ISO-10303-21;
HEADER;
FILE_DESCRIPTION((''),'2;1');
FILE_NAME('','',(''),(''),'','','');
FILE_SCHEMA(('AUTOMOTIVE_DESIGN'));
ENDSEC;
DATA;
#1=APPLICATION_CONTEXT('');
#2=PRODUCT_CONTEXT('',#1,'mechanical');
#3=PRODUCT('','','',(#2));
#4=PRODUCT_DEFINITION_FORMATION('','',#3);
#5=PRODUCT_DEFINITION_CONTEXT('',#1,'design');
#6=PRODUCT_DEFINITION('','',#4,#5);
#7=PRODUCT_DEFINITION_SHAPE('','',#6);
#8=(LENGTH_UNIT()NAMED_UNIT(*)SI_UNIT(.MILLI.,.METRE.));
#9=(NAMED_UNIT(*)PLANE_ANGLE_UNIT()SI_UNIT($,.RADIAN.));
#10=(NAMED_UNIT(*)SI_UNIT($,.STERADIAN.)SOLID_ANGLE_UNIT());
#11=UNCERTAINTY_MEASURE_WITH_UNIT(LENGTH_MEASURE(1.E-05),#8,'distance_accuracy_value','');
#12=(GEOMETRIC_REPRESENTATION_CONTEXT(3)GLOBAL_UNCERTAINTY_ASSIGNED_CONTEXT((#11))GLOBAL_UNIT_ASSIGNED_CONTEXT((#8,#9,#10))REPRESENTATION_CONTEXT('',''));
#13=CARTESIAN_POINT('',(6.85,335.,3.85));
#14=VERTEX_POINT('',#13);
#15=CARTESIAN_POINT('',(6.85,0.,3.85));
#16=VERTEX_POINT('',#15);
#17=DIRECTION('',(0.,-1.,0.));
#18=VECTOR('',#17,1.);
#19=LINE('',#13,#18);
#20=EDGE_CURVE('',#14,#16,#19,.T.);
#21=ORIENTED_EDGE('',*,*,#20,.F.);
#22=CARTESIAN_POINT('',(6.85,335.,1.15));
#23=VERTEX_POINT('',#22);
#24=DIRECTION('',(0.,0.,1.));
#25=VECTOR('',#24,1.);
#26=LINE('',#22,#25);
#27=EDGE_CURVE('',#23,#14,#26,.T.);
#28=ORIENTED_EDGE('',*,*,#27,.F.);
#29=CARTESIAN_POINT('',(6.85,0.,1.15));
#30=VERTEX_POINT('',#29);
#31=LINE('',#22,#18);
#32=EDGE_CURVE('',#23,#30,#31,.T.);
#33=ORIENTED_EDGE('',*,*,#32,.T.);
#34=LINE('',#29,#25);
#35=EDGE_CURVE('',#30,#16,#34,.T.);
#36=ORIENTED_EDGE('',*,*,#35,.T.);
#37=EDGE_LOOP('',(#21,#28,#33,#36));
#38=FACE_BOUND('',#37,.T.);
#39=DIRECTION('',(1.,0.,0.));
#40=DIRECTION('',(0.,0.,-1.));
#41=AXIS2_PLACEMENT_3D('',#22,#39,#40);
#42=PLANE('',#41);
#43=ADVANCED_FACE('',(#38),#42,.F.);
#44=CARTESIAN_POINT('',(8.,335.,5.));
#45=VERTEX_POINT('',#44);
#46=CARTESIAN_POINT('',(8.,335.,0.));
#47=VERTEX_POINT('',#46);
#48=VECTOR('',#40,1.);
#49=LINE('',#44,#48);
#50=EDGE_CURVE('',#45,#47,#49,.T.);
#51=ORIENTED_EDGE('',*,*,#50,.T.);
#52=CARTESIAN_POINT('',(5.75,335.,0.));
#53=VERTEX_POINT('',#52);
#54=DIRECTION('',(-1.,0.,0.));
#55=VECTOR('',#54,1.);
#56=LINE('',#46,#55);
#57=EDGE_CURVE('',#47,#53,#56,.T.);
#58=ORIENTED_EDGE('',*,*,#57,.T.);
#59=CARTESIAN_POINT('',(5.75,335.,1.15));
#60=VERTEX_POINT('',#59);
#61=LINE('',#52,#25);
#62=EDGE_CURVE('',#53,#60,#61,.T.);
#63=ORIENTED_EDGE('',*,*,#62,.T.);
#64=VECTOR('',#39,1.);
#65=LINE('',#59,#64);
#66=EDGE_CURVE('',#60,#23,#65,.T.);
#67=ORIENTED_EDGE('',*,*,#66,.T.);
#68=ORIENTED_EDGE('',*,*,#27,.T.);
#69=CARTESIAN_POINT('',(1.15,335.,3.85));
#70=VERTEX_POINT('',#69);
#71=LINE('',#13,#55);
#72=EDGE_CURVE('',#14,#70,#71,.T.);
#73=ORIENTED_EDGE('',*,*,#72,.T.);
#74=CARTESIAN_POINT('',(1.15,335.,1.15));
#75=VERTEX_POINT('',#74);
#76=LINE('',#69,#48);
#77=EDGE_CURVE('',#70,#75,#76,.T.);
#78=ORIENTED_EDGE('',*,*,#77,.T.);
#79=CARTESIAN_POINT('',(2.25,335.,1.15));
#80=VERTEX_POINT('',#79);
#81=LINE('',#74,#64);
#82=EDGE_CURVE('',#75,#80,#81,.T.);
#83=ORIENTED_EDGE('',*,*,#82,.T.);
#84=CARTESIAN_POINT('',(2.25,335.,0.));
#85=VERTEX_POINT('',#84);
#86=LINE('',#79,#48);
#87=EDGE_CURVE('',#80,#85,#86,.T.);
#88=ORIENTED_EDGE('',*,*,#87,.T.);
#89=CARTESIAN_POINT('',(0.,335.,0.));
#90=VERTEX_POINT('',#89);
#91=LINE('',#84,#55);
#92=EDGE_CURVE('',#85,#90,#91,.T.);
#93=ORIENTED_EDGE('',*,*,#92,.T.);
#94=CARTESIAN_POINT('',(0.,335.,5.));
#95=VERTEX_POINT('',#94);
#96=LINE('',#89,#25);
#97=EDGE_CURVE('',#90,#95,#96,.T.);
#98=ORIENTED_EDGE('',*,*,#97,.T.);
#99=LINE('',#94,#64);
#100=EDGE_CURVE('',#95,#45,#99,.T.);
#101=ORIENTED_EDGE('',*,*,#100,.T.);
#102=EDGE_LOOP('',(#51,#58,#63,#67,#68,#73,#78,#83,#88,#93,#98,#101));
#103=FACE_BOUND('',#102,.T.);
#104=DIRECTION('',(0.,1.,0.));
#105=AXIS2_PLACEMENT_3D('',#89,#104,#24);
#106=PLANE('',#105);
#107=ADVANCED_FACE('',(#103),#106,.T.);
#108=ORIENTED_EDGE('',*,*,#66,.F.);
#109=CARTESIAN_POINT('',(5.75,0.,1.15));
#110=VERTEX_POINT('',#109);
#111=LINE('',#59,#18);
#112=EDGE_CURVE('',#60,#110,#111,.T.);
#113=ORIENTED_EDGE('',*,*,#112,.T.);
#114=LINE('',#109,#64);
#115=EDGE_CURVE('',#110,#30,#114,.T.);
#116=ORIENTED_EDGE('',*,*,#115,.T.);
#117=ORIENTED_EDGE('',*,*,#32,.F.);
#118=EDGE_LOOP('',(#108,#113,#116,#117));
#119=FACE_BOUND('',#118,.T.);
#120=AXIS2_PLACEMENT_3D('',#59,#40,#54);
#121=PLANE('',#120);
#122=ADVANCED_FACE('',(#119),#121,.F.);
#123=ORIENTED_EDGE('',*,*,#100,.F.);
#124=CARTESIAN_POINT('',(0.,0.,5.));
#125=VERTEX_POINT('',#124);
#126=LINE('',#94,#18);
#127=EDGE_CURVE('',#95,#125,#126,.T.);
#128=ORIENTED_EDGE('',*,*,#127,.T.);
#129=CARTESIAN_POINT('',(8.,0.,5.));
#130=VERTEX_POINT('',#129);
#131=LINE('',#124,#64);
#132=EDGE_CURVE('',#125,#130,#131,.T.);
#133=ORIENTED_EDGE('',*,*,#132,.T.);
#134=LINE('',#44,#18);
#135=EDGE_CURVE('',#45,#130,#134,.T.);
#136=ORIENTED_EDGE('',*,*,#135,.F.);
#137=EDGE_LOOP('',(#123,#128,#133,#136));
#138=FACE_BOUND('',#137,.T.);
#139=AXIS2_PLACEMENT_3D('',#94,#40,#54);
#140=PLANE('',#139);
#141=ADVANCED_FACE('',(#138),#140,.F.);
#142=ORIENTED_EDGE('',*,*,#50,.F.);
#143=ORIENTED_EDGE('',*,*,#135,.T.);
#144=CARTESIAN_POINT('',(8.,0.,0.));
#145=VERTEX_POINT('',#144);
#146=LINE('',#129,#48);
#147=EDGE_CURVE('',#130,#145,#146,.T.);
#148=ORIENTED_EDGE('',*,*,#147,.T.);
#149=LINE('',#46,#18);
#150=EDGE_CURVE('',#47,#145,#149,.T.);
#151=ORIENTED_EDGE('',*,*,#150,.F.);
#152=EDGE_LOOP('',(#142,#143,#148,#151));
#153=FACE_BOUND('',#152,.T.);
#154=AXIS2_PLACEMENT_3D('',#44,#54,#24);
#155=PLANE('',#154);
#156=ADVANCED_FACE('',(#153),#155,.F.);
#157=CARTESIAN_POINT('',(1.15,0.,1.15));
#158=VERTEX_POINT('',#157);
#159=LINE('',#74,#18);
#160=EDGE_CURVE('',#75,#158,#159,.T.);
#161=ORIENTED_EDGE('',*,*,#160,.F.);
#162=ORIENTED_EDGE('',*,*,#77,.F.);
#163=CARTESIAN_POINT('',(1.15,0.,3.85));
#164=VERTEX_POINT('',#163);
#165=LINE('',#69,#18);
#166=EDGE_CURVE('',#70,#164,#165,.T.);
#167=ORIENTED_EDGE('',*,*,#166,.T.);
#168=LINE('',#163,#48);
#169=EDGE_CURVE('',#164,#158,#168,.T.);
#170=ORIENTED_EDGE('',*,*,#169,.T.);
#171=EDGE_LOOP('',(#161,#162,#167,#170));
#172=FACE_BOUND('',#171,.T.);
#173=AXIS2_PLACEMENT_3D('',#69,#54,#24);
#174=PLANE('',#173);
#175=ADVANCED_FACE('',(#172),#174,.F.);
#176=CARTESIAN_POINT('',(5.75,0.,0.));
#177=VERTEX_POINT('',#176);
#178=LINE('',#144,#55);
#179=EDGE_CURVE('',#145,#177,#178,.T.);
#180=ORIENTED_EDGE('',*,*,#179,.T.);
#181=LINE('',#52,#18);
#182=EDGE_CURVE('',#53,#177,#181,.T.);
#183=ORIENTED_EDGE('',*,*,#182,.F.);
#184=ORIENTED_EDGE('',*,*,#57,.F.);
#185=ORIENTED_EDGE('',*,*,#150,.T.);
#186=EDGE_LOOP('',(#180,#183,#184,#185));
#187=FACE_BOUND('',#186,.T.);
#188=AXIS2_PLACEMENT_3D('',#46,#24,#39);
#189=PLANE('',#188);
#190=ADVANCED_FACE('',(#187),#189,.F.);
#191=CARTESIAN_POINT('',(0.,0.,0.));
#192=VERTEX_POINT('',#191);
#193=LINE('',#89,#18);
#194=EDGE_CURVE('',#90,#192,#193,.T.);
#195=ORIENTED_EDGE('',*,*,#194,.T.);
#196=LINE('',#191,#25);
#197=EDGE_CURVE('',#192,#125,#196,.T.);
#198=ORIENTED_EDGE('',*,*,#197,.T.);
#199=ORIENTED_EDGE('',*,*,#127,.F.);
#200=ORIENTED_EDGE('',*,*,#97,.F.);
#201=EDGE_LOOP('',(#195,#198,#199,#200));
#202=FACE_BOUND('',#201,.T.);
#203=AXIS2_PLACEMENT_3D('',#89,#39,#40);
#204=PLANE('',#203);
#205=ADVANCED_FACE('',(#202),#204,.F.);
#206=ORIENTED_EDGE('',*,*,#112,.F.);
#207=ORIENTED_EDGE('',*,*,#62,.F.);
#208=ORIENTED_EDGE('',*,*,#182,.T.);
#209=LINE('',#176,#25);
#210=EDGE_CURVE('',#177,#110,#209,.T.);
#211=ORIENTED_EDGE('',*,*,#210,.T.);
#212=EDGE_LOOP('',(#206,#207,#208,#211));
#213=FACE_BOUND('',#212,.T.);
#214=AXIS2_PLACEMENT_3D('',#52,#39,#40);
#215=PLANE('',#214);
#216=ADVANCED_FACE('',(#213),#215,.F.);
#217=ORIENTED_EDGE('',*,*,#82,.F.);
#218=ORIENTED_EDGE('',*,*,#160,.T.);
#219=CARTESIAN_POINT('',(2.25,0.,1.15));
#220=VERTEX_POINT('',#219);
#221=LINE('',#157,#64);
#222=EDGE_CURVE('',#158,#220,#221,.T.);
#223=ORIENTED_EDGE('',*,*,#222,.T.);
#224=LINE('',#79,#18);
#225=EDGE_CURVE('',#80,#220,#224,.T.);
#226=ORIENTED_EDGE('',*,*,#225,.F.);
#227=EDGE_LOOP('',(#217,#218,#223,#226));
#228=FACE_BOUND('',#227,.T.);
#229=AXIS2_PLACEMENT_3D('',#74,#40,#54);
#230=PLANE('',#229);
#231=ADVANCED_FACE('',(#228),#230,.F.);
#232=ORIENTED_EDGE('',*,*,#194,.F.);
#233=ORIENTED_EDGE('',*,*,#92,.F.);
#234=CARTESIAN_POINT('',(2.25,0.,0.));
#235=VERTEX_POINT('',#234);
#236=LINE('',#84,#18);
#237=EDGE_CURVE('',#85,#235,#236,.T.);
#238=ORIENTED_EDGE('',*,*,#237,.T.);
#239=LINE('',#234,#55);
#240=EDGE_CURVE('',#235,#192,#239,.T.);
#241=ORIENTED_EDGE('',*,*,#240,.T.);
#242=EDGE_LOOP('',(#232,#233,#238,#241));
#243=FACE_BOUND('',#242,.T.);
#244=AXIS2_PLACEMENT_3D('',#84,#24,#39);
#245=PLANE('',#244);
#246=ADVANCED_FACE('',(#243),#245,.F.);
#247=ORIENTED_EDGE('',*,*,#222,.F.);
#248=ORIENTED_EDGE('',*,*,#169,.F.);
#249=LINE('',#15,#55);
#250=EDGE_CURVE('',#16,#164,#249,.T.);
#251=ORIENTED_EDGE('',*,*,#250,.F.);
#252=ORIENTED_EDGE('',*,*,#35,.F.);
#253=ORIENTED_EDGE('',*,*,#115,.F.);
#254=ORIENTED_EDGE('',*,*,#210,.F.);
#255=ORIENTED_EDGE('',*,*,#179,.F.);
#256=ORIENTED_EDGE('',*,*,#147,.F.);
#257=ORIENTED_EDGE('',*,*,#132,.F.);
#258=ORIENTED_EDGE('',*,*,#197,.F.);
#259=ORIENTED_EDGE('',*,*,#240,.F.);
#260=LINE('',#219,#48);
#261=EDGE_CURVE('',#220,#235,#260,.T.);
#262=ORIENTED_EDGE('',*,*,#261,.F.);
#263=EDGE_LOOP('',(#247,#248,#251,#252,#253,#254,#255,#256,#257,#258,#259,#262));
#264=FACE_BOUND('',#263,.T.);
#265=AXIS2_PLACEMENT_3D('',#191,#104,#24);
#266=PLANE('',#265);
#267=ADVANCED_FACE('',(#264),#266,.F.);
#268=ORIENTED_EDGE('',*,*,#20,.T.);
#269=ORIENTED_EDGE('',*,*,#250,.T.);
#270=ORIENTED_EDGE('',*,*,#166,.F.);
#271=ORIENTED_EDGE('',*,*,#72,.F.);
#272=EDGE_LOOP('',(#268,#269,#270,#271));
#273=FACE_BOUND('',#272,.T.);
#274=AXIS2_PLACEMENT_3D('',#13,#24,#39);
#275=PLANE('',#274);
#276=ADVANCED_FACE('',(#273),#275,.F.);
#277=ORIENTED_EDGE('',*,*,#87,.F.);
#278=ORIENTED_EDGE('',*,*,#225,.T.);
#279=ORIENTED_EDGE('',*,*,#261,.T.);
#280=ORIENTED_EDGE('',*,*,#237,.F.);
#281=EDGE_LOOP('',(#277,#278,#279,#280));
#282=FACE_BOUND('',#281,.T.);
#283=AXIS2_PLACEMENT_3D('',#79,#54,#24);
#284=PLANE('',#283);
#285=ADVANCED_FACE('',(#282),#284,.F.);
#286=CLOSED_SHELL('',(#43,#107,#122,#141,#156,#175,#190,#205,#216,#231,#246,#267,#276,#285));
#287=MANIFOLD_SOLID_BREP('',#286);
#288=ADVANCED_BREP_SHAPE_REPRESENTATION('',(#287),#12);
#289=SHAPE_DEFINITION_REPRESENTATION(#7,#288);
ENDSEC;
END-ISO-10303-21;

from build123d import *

# Parameters (mm, degrees)
EXTRUDE_1_DEPTH = 335


with BuildPart() as part:
    # 草图1 → 凸台-拉伸1 (new body)
    with BuildSketch(Plane(origin=(0, 0, 0), x_dir=(1, 0, 0), z_dir=(0, 1, 0))):
        Polygon((0, -5), (8, -5), (8, 0), (5.75, 0), (5.75, -1.15), (6.85, -1.15), (6.85, -3.85), (1.15, -3.85), (1.15, -1.15), (2.25, -1.15), (2.25, 0), (0, 0), align=None)
    extrude(amount=EXTRUDE_1_DEPTH)


solid = part.part
